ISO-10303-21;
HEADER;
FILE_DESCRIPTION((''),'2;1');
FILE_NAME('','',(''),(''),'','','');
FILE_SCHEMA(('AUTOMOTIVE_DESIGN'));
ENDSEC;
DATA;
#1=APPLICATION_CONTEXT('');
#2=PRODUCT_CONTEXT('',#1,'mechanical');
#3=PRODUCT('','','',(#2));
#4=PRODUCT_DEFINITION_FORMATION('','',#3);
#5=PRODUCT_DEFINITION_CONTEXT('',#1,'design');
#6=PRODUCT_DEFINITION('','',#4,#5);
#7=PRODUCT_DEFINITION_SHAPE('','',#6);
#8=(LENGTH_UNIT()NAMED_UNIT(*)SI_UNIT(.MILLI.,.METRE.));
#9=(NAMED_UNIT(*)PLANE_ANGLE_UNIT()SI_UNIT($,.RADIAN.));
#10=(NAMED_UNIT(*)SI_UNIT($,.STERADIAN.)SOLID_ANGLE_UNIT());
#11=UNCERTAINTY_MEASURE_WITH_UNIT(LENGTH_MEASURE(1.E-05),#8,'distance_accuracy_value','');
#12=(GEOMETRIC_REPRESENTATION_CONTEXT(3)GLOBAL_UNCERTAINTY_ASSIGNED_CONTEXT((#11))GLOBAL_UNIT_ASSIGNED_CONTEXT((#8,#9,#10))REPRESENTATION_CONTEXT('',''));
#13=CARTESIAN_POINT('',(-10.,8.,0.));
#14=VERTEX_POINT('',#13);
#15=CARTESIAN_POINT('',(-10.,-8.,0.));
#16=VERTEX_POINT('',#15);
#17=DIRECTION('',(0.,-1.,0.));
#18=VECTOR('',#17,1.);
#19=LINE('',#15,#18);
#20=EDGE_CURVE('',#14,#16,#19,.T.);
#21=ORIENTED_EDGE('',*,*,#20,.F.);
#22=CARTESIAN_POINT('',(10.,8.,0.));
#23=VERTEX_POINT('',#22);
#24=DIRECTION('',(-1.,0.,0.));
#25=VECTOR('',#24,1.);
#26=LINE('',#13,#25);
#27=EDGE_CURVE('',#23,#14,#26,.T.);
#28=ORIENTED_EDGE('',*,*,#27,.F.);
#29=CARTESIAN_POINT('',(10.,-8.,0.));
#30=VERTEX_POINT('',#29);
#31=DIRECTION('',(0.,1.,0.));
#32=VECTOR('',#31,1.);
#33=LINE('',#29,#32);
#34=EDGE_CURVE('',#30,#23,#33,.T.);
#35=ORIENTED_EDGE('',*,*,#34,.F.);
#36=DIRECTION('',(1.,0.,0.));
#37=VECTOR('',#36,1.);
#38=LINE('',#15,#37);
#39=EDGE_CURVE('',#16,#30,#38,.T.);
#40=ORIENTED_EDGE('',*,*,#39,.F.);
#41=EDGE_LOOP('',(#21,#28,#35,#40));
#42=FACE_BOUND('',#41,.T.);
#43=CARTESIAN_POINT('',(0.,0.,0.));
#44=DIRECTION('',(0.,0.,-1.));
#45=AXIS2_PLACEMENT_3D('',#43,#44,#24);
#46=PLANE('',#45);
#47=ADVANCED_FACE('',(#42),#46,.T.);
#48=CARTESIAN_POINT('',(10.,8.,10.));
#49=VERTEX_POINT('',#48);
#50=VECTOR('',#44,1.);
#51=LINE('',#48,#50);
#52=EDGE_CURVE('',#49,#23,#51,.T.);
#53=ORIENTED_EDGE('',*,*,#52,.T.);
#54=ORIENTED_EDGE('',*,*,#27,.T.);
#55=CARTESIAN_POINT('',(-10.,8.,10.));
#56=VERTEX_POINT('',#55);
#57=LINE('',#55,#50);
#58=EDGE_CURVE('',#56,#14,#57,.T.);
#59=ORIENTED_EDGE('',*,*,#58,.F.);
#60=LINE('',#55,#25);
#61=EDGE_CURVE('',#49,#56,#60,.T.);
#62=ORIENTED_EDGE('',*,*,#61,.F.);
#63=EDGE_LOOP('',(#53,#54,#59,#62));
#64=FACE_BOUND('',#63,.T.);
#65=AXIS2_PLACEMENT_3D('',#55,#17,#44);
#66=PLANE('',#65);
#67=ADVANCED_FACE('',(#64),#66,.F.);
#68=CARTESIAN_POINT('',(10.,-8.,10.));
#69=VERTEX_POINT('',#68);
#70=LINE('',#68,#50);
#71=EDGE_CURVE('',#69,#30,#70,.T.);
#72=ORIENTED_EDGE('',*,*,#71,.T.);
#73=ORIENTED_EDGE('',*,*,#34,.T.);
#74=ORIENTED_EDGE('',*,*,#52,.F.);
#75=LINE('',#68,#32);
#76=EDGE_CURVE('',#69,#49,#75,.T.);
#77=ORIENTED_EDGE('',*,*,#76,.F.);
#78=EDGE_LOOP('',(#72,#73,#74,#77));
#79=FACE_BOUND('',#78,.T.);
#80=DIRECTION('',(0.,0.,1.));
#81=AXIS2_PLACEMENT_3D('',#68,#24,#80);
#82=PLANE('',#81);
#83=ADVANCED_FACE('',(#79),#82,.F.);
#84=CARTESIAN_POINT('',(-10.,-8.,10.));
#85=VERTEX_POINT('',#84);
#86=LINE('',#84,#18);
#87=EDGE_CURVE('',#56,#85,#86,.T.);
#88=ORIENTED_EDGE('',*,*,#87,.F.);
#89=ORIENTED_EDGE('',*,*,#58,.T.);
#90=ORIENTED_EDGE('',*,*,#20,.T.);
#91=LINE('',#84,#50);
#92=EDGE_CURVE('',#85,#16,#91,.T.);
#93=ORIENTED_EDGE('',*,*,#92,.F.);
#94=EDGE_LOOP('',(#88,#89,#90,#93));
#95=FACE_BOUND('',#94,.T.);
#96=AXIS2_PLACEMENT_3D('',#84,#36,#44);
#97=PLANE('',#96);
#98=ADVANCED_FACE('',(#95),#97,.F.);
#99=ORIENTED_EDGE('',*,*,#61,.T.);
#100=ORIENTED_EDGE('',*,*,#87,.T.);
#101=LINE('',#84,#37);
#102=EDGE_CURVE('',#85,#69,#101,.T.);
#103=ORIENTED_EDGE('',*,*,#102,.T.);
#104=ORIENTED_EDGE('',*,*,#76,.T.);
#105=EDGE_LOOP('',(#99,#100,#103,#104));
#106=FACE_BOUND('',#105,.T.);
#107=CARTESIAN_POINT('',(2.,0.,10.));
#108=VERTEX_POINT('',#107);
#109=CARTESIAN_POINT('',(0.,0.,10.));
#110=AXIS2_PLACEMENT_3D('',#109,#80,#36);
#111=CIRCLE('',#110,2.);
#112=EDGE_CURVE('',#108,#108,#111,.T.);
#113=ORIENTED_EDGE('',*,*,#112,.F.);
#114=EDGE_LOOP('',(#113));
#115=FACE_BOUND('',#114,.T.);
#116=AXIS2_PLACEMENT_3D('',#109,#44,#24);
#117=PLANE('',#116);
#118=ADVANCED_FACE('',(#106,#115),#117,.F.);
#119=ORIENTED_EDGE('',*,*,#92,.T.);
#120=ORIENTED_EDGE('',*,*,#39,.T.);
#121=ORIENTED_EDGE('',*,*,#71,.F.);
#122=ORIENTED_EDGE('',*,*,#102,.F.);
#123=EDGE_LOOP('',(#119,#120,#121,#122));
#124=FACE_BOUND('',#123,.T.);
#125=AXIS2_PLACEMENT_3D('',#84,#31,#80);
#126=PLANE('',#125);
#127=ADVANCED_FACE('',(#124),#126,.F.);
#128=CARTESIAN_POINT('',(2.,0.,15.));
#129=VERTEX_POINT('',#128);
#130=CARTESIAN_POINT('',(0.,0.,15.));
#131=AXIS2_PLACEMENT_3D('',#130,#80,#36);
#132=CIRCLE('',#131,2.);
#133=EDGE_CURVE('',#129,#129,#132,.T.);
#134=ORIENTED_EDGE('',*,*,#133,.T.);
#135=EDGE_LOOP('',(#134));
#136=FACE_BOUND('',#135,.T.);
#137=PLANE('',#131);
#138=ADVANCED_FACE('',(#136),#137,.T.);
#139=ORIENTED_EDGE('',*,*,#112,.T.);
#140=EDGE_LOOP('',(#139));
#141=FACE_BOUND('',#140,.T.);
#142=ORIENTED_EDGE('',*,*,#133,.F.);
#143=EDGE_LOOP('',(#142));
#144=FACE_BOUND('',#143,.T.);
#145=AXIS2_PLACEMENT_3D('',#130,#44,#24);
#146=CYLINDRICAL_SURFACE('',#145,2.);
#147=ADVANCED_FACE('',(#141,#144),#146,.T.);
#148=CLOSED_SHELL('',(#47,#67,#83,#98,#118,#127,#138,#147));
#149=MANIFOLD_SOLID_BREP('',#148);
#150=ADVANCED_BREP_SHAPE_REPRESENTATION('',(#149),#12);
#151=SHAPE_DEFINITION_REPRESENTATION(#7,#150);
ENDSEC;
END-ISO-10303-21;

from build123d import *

# Parameters (mm, degrees)
SKETCH1_W           = 20
SKETCH1_H           = 16
SKETCH1_R           = 2
BOSS_EXTRUDE1_DEPTH = 10
SKETCH1_3_R         = 2
BOSS_EXTRUDE2_DEPTH = 15


with BuildPart() as part:
    # Sketch1 → Boss-Extrude1 (new body)
    with BuildSketch(Plane.XY):
        Rectangle(SKETCH1_W, SKETCH1_H)
        Circle(SKETCH1_R, mode=Mode.SUBTRACT)
    extrude(amount=BOSS_EXTRUDE1_DEPTH)

    # Sketch1_3 → Boss-Extrude2 (add)
    with BuildSketch(Plane.XY):
        Circle(SKETCH1_3_R)
    extrude(amount=BOSS_EXTRUDE2_DEPTH)


solid = part.part
